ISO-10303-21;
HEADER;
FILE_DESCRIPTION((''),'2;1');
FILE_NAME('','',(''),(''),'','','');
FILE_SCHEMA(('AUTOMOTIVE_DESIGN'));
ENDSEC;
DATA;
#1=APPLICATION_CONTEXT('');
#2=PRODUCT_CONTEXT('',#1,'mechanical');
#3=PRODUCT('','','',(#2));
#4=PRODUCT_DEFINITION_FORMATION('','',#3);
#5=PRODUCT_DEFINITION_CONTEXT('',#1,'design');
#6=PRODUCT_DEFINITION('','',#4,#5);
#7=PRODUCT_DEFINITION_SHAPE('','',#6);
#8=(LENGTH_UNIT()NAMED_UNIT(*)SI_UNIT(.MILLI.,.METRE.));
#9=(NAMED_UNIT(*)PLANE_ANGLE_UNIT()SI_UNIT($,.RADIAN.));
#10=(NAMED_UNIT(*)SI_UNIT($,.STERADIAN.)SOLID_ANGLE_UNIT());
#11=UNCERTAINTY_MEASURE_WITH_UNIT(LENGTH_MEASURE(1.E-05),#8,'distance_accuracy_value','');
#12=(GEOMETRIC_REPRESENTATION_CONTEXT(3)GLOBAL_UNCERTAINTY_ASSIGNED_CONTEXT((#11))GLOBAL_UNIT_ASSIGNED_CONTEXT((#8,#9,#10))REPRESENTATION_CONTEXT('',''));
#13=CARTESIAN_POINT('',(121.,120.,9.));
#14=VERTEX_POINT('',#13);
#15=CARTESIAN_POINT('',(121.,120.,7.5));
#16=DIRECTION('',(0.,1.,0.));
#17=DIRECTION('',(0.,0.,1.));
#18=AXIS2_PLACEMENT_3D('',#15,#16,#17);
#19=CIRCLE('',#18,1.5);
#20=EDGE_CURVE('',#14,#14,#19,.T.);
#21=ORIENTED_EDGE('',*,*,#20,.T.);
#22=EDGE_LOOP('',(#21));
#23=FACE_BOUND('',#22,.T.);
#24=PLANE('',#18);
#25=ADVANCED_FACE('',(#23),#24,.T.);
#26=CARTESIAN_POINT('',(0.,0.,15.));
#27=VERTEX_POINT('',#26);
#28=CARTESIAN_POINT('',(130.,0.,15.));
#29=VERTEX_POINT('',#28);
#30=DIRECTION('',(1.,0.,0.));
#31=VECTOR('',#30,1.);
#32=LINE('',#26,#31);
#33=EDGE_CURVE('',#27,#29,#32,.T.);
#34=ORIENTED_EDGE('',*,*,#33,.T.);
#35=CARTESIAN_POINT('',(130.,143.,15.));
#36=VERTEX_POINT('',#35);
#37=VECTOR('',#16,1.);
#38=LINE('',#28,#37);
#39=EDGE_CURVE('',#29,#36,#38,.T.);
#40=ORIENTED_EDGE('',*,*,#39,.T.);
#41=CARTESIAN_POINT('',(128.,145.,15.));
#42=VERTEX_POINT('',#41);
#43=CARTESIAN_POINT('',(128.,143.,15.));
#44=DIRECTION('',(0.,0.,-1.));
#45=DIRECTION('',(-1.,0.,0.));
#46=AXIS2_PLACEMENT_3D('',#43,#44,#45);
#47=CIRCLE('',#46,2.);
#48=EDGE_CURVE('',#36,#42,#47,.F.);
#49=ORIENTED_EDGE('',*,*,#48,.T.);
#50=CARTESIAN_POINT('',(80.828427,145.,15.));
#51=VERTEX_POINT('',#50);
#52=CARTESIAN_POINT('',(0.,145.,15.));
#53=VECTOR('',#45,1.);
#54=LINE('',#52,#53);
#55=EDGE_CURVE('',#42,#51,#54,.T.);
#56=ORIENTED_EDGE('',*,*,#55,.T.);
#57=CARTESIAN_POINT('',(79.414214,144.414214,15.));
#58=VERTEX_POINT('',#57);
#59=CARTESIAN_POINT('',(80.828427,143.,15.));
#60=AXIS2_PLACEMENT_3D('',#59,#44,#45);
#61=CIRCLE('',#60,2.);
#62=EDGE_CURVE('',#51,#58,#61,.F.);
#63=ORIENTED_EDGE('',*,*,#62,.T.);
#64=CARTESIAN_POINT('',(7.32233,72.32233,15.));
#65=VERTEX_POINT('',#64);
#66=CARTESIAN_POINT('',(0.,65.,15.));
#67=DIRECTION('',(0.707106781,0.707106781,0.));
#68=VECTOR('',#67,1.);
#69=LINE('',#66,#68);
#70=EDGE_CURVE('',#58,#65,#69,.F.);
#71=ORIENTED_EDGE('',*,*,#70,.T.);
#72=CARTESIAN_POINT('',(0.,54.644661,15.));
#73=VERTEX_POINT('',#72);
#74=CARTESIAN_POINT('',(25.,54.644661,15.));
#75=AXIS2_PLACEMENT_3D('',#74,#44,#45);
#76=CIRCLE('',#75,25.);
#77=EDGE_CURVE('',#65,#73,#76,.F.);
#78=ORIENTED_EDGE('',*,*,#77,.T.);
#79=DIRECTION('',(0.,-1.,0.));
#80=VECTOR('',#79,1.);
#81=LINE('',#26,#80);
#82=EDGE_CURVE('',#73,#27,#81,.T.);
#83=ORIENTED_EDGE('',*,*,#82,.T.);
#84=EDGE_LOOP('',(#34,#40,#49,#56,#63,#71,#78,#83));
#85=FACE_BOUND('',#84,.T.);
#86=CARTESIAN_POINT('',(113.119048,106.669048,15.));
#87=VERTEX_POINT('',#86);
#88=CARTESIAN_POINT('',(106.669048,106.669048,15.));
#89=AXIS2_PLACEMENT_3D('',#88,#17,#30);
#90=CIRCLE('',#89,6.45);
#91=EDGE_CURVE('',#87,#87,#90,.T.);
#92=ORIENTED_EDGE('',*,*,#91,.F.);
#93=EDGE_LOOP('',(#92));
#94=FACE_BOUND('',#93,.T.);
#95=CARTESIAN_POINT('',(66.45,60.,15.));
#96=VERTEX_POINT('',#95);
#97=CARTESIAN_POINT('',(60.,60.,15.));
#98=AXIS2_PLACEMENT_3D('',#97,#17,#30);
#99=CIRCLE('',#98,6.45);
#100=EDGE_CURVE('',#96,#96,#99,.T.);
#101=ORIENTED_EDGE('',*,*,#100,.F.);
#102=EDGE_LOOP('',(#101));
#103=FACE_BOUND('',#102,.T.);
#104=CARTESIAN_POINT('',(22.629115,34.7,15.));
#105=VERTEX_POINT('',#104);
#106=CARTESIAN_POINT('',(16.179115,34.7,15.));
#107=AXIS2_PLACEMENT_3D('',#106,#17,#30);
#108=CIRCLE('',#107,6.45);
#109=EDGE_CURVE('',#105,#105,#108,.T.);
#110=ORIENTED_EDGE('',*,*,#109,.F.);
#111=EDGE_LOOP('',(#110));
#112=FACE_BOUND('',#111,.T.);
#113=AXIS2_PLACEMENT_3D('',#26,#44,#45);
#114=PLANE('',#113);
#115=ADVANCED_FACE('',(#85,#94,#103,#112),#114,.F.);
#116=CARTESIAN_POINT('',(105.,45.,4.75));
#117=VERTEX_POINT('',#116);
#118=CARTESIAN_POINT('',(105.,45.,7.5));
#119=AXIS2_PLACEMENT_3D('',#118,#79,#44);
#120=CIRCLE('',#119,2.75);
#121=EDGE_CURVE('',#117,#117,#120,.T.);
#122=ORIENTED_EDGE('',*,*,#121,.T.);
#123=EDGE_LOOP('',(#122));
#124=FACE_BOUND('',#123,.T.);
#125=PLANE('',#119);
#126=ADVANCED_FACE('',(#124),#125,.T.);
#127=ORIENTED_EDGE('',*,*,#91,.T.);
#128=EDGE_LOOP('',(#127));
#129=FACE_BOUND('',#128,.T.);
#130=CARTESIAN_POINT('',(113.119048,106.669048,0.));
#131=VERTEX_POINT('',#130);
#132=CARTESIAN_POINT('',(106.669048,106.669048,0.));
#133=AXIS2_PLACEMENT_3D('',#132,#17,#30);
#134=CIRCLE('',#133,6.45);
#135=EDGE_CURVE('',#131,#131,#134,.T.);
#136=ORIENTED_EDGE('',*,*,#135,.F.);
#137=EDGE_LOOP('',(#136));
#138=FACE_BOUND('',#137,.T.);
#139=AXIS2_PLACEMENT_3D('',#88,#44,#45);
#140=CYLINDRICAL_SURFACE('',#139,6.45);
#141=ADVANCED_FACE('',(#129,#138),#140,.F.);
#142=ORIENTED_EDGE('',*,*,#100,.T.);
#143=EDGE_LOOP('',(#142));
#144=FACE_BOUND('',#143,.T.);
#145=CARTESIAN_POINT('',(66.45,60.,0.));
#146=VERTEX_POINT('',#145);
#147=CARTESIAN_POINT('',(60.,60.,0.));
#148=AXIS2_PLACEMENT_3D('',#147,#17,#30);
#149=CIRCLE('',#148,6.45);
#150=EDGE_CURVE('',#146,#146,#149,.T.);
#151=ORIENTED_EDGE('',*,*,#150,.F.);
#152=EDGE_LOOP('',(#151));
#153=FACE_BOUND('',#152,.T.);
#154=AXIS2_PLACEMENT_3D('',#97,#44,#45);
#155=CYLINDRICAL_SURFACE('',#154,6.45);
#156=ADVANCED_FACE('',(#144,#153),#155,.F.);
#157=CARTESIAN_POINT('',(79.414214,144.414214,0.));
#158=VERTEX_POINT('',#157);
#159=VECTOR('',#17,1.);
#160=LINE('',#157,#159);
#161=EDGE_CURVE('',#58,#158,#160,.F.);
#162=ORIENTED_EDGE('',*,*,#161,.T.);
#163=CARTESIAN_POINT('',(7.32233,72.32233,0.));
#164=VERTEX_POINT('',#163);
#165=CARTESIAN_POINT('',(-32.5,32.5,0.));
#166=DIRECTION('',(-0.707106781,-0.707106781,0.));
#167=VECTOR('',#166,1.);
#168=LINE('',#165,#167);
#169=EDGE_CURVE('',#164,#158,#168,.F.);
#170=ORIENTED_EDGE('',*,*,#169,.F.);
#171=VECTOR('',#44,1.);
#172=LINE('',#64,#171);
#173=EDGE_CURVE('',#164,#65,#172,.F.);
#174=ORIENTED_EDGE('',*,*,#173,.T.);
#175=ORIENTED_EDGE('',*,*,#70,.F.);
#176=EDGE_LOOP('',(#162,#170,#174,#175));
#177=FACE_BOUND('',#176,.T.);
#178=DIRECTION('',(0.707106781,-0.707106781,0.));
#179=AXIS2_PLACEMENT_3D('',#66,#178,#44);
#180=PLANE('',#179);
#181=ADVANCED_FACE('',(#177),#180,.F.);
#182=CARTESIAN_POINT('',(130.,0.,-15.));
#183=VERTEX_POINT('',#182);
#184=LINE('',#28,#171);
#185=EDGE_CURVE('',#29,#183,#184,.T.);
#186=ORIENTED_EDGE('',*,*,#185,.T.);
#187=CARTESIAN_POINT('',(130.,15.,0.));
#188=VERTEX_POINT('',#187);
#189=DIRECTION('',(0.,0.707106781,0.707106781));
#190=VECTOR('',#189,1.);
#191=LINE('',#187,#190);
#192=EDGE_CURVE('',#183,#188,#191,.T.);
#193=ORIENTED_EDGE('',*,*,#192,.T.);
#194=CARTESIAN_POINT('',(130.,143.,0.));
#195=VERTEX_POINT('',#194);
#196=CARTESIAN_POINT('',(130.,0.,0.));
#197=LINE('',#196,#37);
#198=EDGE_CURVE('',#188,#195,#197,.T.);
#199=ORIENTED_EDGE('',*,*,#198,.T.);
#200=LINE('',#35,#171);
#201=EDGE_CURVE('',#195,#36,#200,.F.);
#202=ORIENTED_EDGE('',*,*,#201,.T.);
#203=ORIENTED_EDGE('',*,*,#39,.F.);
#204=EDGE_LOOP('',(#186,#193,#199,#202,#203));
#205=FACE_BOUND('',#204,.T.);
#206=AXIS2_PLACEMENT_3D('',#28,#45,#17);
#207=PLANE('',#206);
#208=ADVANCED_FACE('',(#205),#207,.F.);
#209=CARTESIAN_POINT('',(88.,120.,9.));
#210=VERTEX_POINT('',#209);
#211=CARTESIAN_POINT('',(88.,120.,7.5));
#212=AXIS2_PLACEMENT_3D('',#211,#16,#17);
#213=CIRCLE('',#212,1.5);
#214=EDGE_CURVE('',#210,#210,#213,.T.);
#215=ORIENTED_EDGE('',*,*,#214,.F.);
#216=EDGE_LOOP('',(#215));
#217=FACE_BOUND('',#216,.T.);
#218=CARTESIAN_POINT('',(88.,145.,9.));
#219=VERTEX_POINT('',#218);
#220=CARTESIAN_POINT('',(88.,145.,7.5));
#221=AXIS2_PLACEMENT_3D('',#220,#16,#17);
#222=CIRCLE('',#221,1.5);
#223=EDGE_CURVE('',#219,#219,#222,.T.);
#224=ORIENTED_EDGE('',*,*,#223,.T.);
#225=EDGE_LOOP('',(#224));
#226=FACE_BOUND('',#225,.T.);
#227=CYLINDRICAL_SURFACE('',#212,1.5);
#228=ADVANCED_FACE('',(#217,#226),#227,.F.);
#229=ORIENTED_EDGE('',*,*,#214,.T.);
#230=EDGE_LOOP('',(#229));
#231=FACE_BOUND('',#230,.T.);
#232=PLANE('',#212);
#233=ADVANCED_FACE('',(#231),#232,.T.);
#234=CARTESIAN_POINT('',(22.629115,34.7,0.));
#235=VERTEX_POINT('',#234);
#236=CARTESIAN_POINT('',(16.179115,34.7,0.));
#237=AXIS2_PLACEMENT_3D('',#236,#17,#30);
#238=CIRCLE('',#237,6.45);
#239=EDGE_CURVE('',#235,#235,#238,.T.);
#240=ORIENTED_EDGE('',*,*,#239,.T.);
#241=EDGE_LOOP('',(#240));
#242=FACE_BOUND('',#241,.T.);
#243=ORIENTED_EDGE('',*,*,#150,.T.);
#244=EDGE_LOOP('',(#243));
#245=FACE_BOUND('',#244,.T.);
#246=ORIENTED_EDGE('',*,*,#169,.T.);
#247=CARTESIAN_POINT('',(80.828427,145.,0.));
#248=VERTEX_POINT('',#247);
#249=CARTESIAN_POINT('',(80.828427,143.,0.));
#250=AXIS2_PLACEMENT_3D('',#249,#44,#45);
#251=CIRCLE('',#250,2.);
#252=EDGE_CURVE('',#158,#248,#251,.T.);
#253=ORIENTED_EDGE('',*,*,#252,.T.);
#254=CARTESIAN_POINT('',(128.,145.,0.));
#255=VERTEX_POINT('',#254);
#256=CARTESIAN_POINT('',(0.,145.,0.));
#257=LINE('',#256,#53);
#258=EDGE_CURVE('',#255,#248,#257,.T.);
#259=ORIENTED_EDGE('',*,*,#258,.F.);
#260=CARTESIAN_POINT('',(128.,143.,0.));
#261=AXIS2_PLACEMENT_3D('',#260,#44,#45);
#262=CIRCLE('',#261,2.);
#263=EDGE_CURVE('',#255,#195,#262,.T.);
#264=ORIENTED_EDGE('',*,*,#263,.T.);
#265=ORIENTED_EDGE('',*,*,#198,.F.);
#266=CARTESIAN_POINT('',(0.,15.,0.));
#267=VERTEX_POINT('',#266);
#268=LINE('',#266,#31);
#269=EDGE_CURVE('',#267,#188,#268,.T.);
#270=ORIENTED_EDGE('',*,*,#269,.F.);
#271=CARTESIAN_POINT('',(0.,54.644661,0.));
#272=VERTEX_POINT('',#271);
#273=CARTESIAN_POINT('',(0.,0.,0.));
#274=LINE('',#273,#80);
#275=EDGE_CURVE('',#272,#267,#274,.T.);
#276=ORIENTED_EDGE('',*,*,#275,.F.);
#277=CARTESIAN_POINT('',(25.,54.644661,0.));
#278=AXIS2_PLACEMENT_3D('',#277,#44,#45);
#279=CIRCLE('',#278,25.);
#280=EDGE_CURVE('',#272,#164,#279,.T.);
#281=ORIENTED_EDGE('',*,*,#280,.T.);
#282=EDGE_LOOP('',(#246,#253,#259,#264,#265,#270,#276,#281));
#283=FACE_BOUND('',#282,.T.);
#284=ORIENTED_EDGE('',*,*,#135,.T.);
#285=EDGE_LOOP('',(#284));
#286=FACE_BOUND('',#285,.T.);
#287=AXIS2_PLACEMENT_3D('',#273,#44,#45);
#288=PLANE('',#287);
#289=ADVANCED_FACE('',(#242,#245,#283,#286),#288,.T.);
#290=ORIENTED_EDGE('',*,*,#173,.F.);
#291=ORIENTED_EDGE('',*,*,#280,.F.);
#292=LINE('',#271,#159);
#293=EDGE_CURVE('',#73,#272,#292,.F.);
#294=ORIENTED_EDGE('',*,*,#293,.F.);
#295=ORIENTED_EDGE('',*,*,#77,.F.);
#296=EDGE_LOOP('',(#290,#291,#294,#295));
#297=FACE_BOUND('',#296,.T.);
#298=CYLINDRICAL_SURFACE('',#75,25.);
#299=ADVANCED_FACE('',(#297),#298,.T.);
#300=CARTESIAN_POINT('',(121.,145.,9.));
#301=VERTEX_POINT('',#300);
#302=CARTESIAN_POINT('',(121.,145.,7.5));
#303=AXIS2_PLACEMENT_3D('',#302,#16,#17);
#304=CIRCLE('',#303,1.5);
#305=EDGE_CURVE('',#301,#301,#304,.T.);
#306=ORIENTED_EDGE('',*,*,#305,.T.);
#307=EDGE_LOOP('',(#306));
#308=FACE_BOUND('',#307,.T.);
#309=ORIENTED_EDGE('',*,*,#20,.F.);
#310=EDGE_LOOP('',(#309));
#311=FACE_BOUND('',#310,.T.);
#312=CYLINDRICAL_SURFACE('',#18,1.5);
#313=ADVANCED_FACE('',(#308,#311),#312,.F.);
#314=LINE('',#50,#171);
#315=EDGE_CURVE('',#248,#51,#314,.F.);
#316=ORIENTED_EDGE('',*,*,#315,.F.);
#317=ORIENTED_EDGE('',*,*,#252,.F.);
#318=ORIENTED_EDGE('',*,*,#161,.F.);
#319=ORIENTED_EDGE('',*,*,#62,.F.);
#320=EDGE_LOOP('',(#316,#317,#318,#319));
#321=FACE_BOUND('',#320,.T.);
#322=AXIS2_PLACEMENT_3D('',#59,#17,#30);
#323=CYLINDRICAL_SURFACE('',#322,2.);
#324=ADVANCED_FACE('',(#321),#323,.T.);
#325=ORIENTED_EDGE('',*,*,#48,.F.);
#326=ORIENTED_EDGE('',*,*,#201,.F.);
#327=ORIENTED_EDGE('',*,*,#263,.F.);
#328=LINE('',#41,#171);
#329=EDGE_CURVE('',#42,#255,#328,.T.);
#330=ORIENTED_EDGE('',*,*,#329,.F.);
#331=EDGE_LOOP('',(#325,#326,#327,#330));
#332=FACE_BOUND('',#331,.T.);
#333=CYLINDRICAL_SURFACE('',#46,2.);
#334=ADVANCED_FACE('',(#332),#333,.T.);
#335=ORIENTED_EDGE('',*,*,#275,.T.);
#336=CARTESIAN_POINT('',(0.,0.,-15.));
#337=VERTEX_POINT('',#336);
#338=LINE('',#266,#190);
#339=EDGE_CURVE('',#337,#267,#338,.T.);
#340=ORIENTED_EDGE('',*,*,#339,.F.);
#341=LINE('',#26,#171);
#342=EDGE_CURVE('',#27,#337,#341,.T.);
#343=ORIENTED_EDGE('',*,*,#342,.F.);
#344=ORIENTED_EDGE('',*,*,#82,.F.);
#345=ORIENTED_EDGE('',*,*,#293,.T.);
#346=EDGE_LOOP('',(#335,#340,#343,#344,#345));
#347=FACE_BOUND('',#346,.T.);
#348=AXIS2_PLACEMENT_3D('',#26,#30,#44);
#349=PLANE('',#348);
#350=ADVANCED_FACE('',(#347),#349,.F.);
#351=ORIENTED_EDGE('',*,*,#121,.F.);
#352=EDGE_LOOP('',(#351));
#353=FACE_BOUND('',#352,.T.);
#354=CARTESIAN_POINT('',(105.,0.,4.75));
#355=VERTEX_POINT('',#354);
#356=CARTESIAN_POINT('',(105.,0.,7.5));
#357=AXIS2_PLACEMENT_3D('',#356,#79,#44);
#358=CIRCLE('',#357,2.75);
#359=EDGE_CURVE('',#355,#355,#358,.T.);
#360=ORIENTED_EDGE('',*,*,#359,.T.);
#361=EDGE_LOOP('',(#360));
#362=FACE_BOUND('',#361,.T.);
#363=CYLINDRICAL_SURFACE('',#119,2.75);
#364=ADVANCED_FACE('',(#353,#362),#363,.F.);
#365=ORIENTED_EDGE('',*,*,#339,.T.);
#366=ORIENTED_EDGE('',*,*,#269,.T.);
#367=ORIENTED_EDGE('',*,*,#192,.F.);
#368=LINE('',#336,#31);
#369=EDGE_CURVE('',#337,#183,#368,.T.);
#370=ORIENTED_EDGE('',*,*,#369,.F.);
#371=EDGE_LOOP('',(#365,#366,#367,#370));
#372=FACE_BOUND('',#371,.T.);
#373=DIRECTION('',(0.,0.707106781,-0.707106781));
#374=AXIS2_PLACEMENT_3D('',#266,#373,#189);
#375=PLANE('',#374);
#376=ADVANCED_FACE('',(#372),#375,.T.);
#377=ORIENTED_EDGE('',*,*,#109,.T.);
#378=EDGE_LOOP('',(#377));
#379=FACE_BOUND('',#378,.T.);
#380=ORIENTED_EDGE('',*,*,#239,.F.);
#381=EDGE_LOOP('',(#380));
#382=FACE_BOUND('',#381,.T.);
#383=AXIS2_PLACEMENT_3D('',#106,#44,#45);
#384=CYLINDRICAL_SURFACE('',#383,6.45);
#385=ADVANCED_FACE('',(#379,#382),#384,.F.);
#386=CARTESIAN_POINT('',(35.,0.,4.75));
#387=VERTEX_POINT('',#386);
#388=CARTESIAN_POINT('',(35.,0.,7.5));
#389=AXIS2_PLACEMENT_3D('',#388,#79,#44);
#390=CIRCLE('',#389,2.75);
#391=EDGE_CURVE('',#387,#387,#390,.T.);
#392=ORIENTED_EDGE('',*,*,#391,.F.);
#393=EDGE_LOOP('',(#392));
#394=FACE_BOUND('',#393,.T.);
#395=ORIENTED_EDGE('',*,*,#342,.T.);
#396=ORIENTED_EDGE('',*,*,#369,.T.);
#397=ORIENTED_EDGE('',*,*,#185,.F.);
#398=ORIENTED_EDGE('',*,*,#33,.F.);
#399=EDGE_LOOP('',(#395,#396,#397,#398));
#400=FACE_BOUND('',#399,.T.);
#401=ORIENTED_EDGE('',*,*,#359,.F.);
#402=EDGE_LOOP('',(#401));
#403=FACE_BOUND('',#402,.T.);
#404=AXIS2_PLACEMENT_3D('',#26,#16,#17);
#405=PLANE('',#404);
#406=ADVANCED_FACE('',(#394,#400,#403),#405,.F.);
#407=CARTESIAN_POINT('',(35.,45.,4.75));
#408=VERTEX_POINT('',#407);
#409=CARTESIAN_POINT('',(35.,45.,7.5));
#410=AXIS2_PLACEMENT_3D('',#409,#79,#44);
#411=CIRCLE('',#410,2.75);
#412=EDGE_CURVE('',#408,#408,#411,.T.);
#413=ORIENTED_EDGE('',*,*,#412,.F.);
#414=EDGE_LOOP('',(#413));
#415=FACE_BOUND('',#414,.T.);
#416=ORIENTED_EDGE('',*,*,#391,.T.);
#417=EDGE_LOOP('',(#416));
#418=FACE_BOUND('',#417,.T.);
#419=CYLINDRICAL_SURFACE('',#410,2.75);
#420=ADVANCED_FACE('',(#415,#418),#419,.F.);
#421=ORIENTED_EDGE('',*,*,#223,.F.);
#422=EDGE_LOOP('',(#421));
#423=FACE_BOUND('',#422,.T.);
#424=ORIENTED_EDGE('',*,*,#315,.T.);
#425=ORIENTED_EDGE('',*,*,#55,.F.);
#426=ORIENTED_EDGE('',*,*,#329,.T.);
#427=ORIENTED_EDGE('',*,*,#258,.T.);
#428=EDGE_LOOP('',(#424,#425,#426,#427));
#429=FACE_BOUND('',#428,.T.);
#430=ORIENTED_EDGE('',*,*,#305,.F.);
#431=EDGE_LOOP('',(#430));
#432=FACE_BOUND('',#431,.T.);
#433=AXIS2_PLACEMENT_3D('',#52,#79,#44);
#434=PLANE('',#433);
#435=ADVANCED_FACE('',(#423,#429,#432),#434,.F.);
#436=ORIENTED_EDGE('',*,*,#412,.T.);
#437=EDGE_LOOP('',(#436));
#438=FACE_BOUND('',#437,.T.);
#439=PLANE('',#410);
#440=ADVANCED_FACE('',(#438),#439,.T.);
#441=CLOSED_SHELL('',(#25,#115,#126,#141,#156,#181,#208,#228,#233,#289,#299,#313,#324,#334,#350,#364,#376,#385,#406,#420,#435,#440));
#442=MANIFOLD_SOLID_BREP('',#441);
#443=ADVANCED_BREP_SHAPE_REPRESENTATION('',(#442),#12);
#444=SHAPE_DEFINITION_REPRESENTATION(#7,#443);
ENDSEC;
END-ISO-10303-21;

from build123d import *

# Parameters (mm, degrees)
SKETCH1_W           = 130
SKETCH1_H           = 145
SKETCH1_R           = 6.45
BOSS_EXTRUDE1_DEPTH = 15
CHAMFER1_SIZE       = 80
FILLET2_R           = 25
FILLET1_R           = 2
BOSS_EXTRUDE2_DEPTH = 130
SKETCH3_R           = 2.75
CUT_EXTRUDE1_DEPTH  = 45
SKETCH4_R           = 1.5
CUT_EXTRUDE2_DEPTH  = 25


with BuildPart() as part:
    # Sketch1 → Boss-Extrude1 (new body)
    with BuildSketch(Plane.XY):
        with Locations((65, 72.5)):
            Rectangle(SKETCH1_W, SKETCH1_H)
        with Locations((60, 60)):
            Circle(SKETCH1_R, mode=Mode.SUBTRACT)
        with Locations((106.669047558, 106.669047558)):
            Circle(SKETCH1_R, mode=Mode.SUBTRACT)
        with Locations((16.179114569, 34.7)):
            Circle(SKETCH1_R, mode=Mode.SUBTRACT)
    extrude(amount=BOSS_EXTRUDE1_DEPTH)

    # Chamfer1
    chamfer1_edges = [part.edges().sort_by_distance(p)[0] for p in [
        (0, 145, 7.5),
    ]]
    chamfer(chamfer1_edges, length=CHAMFER1_SIZE)

    # Fillet2
    fillet2_edges = [part.edges().sort_by_distance(p)[0] for p in [
        (0, 65, 7.5),
    ]]
    fillet(fillet2_edges, radius=FILLET2_R)

    # Fillet1
    fillet1_edges = [part.edges().sort_by_distance(p)[0] for p in [
        (80, 145, 7.5),
        (130, 145, 7.5),
    ]]
    fillet(fillet1_edges, radius=FILLET1_R)

    # Sketch2 → Boss-Extrude2 (add, through all)
    with BuildSketch(Plane(origin=(130, 0, 0), x_dir=(0, 0, -1), z_dir=(1, 0, 0))):
        Polygon((0, 15), (15, 0), (0, 0), align=None)
    extrude(amount=-BOSS_EXTRUDE2_DEPTH)

    # Sketch3 → Cut-Extrude1 (cut)
    with BuildSketch(Plane.XZ):
        with Locations((35, 7.5)):
            Circle(SKETCH3_R)
        with Locations((105, 7.5)):
            Circle(SKETCH3_R)
    extrude(amount=-CUT_EXTRUDE1_DEPTH, mode=Mode.SUBTRACT)

    # Sketch4 → Cut-Extrude2 (cut)
    with BuildSketch(Plane(origin=(0, 145, 0), x_dir=(1, 0, 0), z_dir=(0, 1, 0))):
        with Locations((121, -7.5)):
            Circle(SKETCH4_R)
        with Locations((88, -7.5)):
            Circle(SKETCH4_R)
    extrude(amount=-CUT_EXTRUDE2_DEPTH, mode=Mode.SUBTRACT)


solid = part.part
